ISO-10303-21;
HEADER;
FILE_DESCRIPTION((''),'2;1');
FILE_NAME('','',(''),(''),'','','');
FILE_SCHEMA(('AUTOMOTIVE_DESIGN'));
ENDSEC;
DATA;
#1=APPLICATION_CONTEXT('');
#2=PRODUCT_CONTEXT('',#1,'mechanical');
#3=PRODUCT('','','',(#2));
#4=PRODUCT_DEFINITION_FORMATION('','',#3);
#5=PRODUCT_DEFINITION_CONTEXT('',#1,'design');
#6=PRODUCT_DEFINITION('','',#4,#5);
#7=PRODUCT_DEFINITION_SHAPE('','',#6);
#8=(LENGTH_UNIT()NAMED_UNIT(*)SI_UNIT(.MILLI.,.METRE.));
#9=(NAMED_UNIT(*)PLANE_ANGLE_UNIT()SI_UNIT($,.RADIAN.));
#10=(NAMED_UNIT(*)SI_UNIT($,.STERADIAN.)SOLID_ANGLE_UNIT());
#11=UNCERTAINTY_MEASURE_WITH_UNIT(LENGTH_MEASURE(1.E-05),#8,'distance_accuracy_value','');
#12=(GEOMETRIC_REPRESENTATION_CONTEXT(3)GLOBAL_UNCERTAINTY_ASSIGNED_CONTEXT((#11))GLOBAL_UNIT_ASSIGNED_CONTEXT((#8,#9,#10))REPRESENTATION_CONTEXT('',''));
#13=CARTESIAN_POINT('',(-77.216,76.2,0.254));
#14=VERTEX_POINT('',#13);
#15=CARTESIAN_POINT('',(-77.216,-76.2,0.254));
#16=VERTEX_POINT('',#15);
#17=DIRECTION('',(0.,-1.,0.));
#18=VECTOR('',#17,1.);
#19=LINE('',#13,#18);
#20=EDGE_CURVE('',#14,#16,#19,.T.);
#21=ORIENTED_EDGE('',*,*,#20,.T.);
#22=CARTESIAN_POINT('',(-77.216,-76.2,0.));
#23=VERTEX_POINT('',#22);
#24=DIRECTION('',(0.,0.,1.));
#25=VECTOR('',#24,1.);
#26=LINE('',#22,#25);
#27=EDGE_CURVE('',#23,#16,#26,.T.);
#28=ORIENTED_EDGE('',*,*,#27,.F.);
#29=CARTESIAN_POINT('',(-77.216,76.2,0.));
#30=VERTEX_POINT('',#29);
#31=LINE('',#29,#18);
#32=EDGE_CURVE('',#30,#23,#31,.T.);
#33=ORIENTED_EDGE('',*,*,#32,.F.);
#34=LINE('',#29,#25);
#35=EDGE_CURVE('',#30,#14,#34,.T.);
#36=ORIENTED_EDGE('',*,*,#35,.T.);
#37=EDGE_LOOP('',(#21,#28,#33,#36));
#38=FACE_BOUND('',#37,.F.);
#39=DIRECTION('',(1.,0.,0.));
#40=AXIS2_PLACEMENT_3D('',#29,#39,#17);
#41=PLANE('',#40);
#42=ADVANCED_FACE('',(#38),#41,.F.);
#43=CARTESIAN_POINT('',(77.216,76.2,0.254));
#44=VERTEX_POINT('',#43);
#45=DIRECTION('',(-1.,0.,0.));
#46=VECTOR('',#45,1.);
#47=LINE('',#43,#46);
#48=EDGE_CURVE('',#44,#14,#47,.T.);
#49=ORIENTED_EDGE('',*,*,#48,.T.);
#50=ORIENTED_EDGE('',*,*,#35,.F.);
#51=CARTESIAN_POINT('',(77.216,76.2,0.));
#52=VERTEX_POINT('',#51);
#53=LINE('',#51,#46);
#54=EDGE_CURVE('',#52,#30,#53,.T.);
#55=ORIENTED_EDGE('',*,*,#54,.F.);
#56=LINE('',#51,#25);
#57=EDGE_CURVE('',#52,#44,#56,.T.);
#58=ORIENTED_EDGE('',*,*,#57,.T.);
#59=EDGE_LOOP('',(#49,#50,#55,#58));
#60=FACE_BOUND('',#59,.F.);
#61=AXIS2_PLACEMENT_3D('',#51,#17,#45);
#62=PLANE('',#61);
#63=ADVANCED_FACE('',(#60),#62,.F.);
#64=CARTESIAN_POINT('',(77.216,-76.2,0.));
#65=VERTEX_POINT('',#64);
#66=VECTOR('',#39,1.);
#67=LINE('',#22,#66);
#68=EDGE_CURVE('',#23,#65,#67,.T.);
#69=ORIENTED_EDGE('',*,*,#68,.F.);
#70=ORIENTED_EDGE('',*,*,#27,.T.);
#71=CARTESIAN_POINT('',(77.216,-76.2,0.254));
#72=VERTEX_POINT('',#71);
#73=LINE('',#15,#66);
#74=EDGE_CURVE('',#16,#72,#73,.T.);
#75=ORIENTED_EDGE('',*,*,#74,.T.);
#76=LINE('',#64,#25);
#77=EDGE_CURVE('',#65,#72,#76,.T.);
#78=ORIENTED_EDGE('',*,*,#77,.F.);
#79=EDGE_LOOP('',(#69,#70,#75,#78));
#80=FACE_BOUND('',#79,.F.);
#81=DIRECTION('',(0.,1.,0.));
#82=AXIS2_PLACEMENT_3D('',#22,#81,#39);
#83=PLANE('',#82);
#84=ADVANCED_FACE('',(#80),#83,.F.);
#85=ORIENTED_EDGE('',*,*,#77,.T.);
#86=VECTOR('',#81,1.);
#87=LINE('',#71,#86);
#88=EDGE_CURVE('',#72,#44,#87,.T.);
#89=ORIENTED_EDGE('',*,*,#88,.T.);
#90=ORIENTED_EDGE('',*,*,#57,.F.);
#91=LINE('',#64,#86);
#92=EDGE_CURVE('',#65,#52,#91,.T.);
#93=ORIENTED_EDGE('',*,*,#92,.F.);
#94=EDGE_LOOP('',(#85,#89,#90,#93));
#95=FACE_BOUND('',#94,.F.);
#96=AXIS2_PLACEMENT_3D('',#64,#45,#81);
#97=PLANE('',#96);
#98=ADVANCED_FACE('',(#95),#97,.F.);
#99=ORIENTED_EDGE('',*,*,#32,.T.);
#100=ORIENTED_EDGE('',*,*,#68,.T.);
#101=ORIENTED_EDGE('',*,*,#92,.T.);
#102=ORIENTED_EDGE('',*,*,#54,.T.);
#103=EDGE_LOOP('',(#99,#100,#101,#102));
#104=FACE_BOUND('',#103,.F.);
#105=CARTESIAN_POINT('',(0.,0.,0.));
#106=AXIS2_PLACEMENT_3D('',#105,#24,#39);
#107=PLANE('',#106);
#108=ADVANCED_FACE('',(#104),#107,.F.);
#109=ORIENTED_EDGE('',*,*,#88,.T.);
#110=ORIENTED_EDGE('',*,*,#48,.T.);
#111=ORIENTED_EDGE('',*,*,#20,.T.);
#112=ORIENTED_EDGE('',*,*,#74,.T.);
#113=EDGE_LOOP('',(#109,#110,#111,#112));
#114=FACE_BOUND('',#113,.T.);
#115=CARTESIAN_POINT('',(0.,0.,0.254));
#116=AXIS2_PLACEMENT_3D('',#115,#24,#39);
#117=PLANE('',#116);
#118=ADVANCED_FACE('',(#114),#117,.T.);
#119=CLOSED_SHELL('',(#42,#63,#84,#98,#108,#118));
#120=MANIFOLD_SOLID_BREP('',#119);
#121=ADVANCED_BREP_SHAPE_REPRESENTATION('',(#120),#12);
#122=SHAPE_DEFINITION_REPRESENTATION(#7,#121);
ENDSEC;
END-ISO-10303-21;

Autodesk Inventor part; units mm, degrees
ref_plane "YZ Plane" through (0, 0, 0) normal (1, 0, 0) x (0, 1, 0)
ref_plane "XZ Plane" through (0, 0, 0) normal (0, 1, 0) x (-1, 0, 0)
ref_plane "XY Plane" through (0, 0, 0) normal (0, 0, 1) x (1, 0, 0)
sketch "Sketch1" plane through (0, 0, 0) normal (0, 0, 1) x (1, 0, 0)
  line L0 (-77.216, -76.2) -> (77.216, -76.2)
  line L1 (77.216, -76.2) -> (77.216, 76.2)
  line L2 (77.216, 76.2) -> (-77.216, 76.2)
  line L3 (-77.216, 76.2) -> (-77.216, -76.2)
  point P0 (0, 0)
  point P1 (77.216, 0)
  point P2 (0, 76.2)
  dimension "d0" = 154.432
  dimension "d1" = 152.4
extrude "Extrusion1" add sketch "Sketch1" along normal blind 0.254
properties part number "COMMON"
